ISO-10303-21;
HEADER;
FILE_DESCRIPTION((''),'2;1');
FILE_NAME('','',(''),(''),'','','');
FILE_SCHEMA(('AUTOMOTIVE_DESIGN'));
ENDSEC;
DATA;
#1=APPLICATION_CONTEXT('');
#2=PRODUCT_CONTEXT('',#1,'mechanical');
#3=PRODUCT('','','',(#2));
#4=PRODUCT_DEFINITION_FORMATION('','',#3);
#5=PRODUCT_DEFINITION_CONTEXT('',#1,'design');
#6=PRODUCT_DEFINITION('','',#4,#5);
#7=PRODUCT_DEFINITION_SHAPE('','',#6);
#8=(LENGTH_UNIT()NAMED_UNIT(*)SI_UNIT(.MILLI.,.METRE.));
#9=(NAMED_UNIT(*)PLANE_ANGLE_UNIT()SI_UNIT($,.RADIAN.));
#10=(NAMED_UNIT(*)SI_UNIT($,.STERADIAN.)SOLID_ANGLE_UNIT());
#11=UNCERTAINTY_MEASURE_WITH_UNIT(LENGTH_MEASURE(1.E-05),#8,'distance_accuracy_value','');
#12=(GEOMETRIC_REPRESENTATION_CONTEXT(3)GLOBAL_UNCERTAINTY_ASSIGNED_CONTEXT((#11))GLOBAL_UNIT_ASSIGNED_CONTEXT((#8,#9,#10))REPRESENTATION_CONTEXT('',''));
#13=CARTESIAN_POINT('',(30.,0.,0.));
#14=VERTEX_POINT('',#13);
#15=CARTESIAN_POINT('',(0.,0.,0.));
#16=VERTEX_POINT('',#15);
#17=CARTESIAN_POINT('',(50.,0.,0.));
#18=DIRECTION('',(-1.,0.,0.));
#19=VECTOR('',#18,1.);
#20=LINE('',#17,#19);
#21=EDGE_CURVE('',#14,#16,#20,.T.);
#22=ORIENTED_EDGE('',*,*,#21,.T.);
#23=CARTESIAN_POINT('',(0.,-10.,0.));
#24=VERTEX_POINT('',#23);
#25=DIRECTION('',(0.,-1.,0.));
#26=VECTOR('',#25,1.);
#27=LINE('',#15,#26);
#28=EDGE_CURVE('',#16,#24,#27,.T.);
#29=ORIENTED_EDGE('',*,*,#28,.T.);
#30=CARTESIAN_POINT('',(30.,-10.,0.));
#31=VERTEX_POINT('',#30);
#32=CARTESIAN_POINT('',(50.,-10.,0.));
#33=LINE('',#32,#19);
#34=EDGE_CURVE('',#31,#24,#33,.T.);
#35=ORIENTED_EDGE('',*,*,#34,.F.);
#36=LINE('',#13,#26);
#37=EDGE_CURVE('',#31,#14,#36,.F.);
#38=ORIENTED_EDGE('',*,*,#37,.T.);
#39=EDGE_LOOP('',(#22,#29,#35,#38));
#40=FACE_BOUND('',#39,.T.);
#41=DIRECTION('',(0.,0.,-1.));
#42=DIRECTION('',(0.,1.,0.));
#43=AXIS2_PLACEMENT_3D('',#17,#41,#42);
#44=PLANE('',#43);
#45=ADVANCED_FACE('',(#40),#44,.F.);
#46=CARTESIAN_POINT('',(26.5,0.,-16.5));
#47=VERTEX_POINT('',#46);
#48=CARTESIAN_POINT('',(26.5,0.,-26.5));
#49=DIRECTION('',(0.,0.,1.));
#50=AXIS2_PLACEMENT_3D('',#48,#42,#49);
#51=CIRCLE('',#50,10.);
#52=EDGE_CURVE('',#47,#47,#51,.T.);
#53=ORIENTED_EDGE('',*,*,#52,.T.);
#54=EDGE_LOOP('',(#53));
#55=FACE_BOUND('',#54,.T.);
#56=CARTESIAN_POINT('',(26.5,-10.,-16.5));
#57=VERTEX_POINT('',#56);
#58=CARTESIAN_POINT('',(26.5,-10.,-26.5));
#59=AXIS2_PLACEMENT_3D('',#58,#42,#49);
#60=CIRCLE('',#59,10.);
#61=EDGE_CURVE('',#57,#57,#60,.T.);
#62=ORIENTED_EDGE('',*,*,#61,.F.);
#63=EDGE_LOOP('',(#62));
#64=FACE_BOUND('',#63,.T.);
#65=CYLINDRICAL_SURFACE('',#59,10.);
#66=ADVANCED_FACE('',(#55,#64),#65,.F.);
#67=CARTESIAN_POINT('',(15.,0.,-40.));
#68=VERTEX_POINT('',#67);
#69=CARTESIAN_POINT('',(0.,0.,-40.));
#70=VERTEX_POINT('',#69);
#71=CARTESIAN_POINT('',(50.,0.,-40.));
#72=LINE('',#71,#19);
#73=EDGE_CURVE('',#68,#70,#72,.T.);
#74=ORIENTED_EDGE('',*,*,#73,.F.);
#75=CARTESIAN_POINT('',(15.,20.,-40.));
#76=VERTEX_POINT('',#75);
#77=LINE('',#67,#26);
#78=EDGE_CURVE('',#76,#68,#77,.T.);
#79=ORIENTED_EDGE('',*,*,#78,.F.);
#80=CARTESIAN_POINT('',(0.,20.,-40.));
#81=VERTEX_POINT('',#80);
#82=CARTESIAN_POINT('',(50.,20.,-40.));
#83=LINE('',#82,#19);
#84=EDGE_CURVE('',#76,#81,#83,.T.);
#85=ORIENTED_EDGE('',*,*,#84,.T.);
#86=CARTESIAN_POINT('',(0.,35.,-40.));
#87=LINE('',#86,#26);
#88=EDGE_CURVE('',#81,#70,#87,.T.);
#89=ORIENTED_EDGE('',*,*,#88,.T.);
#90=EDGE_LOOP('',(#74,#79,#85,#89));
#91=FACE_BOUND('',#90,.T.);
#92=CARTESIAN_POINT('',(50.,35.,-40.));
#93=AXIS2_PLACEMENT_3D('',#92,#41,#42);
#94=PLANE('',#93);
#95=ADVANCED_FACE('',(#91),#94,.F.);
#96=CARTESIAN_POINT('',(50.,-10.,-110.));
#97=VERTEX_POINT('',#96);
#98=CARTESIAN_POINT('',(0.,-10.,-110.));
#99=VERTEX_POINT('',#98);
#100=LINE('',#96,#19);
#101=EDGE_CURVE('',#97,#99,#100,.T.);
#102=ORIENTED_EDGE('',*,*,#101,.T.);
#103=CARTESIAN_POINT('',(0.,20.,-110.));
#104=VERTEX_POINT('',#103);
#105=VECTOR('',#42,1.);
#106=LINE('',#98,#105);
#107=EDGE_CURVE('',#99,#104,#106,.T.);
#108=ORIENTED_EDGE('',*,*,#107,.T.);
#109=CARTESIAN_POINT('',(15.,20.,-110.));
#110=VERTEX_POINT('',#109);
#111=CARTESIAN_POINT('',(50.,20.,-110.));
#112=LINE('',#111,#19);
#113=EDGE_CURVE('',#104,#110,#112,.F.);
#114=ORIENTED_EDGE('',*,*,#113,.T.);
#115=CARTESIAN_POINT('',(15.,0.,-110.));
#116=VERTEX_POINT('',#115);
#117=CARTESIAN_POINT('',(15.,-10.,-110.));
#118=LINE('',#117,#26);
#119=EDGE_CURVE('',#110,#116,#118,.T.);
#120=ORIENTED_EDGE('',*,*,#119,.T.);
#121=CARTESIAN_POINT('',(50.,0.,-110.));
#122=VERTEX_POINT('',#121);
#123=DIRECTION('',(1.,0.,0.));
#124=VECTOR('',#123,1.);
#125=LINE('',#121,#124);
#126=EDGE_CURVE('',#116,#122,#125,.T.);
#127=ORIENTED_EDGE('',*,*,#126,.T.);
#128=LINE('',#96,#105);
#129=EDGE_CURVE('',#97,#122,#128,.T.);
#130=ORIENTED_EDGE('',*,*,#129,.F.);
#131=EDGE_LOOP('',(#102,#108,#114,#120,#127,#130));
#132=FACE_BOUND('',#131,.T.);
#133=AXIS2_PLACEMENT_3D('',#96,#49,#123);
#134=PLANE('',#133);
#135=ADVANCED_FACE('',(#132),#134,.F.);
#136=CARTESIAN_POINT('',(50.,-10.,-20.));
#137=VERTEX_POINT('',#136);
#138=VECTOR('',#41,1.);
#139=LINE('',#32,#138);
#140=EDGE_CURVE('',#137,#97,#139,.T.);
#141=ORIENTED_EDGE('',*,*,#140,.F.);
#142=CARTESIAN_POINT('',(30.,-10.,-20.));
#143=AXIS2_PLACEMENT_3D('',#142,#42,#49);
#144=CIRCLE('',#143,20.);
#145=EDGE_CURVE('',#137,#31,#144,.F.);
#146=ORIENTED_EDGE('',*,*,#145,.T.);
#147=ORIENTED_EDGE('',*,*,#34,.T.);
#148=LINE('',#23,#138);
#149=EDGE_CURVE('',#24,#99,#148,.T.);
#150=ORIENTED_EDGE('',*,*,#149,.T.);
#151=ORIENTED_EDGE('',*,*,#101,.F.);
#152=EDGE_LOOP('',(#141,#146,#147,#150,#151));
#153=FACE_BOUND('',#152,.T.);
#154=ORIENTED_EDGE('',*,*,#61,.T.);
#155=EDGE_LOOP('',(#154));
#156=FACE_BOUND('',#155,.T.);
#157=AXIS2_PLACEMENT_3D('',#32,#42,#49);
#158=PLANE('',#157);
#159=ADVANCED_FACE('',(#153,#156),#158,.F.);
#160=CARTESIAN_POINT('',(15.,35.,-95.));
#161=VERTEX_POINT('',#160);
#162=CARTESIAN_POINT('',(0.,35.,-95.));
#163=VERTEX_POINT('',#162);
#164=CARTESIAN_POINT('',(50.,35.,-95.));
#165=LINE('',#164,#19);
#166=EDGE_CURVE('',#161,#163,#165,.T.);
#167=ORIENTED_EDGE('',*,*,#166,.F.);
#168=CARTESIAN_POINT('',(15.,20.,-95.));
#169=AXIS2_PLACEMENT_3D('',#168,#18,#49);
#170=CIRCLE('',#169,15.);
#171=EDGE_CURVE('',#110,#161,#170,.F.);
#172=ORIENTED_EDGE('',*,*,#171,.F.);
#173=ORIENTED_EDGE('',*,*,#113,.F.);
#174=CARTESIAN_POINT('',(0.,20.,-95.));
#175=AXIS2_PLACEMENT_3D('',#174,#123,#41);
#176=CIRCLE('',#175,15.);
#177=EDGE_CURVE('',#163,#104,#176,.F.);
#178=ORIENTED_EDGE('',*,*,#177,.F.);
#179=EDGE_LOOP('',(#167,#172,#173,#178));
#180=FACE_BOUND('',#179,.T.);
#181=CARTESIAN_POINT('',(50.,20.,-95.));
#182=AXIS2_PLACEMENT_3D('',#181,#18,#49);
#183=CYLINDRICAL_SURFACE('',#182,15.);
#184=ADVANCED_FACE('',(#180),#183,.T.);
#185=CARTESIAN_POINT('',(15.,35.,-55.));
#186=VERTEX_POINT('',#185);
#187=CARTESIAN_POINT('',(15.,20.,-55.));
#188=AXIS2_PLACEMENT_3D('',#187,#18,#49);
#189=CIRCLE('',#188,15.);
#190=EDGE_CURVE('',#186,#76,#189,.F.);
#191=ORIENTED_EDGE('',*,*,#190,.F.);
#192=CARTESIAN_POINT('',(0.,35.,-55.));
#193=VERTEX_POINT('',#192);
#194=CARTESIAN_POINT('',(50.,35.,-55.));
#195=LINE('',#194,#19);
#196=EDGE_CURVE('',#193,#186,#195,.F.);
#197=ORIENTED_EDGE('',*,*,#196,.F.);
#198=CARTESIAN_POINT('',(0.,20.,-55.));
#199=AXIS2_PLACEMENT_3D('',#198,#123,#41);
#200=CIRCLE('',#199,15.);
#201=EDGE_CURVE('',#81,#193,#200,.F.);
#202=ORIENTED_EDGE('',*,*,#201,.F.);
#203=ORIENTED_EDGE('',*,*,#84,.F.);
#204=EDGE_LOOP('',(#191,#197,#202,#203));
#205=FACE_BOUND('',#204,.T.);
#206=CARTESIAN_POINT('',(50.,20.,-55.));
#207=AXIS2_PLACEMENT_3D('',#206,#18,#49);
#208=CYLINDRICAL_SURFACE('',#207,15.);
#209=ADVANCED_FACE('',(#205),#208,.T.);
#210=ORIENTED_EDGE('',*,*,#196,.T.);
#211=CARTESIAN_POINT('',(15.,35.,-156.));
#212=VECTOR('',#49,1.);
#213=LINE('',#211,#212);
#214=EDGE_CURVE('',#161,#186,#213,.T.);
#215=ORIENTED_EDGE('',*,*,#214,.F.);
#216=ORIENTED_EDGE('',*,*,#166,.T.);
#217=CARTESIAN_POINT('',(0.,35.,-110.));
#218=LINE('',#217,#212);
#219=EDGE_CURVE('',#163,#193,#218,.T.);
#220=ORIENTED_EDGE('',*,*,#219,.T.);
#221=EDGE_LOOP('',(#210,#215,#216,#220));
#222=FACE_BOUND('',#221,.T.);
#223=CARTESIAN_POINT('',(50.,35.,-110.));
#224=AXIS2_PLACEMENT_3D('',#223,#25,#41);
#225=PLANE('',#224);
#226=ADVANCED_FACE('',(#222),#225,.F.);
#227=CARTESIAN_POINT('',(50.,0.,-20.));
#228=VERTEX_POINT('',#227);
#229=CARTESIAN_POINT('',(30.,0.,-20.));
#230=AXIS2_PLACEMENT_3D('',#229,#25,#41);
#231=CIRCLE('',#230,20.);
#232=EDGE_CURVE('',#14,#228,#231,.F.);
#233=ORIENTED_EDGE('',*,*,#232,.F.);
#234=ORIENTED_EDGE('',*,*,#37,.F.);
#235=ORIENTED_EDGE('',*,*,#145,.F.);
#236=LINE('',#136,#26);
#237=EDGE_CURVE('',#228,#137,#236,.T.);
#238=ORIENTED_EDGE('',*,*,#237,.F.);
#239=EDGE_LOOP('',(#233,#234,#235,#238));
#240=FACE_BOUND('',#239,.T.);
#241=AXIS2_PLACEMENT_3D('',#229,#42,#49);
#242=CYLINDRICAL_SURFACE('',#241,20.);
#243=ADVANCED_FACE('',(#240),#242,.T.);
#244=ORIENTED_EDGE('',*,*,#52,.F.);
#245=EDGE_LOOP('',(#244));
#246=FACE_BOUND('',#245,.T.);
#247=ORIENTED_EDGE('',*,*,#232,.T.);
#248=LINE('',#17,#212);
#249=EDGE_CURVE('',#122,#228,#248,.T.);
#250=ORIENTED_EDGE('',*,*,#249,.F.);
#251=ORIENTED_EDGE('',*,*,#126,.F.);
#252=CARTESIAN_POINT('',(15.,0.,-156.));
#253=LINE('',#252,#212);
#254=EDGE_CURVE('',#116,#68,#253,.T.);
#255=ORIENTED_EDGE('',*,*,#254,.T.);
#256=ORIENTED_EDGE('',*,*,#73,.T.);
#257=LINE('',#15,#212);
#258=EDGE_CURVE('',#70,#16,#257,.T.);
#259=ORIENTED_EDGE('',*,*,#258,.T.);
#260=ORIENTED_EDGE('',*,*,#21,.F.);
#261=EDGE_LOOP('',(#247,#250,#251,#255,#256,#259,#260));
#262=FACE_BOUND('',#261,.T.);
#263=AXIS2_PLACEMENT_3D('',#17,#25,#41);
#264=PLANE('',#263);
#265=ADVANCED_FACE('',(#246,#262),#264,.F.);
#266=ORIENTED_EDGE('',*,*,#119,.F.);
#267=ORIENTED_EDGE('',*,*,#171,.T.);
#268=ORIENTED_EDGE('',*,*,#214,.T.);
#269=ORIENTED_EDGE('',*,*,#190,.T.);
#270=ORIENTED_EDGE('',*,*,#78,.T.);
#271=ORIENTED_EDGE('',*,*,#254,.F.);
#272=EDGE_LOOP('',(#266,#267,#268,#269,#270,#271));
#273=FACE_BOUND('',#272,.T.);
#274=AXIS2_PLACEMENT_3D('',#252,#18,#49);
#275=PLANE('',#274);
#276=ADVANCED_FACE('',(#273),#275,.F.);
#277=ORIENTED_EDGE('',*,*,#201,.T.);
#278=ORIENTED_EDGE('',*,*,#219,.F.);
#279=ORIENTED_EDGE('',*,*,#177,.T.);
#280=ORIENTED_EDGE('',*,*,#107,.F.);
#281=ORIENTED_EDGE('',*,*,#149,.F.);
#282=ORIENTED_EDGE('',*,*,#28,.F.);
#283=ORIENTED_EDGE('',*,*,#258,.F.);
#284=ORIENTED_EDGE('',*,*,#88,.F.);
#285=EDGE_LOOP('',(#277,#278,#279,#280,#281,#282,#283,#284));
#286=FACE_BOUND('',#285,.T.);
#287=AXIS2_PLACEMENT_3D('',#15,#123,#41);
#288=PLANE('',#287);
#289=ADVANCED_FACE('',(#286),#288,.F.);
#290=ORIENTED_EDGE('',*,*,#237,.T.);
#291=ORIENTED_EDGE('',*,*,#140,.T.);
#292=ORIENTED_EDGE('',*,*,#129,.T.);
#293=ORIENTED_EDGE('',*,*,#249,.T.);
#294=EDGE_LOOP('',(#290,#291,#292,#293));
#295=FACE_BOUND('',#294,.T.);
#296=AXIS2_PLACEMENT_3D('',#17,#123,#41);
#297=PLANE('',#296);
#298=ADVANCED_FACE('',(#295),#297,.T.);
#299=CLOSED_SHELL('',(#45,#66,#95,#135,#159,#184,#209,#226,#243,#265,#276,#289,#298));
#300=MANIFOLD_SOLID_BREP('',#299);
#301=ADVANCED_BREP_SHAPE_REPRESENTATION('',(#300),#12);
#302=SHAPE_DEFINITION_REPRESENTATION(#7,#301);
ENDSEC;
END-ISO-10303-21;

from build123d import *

# Parameters (mm, degrees)
EXTRUDE_1_DEPTH     = 50
SKETCH_2_W          = 35
SKETCH_2_H          = 35
CUT_EXTRUDE_1_DEPTH = 116
FILLET_1_R          = 15
SKETCH_3_R          = 10
CUT_EXTRUDE_2_DEPTH = 10
FILLET_2_R          = 20


with BuildPart() as part:
    # 스케치1 → 보스-돌출1 (new body)
    with BuildSketch(Plane(origin=(0, 0, 0), x_dir=(0, 0, -1), z_dir=(1, 0, 0))):
        Polygon((0, 0), (40, 0), (40, 35), (110, 35), (110, -10), (0, -10), align=None)
    extrude(amount=EXTRUDE_1_DEPTH)

    # 스케치2 → 컷-돌출1 (cut)
    with BuildSketch(Plane.XY.offset(-40)):
        with Locations((32.5, 17.5)):
            Rectangle(SKETCH_2_W, SKETCH_2_H)
    extrude(amount=-CUT_EXTRUDE_1_DEPTH, mode=Mode.SUBTRACT)

    # 필렛1
    fillet_1_edges = [part.edges().sort_by_distance(p)[0] for p in [
        (7.5, 35, -40),
        (7.5, 35, -110),
    ]]
    fillet(fillet_1_edges, radius=FILLET_1_R)

    # 스케치3 → 컷-돌출2 (cut)
    with BuildSketch(Plane(origin=(0, 0, 0), x_dir=(1, 0, 0), z_dir=(0, 1, 0))):
        with Locations((26.5, 26.5)):
            Circle(SKETCH_3_R)
    extrude(amount=-CUT_EXTRUDE_2_DEPTH, mode=Mode.SUBTRACT)

    # 필렛2
    fillet_2_edges = [part.edges().sort_by_distance(p)[0] for p in [
        (50, -5, 0),
    ]]
    fillet(fillet_2_edges, radius=FILLET_2_R)


solid = part.part
